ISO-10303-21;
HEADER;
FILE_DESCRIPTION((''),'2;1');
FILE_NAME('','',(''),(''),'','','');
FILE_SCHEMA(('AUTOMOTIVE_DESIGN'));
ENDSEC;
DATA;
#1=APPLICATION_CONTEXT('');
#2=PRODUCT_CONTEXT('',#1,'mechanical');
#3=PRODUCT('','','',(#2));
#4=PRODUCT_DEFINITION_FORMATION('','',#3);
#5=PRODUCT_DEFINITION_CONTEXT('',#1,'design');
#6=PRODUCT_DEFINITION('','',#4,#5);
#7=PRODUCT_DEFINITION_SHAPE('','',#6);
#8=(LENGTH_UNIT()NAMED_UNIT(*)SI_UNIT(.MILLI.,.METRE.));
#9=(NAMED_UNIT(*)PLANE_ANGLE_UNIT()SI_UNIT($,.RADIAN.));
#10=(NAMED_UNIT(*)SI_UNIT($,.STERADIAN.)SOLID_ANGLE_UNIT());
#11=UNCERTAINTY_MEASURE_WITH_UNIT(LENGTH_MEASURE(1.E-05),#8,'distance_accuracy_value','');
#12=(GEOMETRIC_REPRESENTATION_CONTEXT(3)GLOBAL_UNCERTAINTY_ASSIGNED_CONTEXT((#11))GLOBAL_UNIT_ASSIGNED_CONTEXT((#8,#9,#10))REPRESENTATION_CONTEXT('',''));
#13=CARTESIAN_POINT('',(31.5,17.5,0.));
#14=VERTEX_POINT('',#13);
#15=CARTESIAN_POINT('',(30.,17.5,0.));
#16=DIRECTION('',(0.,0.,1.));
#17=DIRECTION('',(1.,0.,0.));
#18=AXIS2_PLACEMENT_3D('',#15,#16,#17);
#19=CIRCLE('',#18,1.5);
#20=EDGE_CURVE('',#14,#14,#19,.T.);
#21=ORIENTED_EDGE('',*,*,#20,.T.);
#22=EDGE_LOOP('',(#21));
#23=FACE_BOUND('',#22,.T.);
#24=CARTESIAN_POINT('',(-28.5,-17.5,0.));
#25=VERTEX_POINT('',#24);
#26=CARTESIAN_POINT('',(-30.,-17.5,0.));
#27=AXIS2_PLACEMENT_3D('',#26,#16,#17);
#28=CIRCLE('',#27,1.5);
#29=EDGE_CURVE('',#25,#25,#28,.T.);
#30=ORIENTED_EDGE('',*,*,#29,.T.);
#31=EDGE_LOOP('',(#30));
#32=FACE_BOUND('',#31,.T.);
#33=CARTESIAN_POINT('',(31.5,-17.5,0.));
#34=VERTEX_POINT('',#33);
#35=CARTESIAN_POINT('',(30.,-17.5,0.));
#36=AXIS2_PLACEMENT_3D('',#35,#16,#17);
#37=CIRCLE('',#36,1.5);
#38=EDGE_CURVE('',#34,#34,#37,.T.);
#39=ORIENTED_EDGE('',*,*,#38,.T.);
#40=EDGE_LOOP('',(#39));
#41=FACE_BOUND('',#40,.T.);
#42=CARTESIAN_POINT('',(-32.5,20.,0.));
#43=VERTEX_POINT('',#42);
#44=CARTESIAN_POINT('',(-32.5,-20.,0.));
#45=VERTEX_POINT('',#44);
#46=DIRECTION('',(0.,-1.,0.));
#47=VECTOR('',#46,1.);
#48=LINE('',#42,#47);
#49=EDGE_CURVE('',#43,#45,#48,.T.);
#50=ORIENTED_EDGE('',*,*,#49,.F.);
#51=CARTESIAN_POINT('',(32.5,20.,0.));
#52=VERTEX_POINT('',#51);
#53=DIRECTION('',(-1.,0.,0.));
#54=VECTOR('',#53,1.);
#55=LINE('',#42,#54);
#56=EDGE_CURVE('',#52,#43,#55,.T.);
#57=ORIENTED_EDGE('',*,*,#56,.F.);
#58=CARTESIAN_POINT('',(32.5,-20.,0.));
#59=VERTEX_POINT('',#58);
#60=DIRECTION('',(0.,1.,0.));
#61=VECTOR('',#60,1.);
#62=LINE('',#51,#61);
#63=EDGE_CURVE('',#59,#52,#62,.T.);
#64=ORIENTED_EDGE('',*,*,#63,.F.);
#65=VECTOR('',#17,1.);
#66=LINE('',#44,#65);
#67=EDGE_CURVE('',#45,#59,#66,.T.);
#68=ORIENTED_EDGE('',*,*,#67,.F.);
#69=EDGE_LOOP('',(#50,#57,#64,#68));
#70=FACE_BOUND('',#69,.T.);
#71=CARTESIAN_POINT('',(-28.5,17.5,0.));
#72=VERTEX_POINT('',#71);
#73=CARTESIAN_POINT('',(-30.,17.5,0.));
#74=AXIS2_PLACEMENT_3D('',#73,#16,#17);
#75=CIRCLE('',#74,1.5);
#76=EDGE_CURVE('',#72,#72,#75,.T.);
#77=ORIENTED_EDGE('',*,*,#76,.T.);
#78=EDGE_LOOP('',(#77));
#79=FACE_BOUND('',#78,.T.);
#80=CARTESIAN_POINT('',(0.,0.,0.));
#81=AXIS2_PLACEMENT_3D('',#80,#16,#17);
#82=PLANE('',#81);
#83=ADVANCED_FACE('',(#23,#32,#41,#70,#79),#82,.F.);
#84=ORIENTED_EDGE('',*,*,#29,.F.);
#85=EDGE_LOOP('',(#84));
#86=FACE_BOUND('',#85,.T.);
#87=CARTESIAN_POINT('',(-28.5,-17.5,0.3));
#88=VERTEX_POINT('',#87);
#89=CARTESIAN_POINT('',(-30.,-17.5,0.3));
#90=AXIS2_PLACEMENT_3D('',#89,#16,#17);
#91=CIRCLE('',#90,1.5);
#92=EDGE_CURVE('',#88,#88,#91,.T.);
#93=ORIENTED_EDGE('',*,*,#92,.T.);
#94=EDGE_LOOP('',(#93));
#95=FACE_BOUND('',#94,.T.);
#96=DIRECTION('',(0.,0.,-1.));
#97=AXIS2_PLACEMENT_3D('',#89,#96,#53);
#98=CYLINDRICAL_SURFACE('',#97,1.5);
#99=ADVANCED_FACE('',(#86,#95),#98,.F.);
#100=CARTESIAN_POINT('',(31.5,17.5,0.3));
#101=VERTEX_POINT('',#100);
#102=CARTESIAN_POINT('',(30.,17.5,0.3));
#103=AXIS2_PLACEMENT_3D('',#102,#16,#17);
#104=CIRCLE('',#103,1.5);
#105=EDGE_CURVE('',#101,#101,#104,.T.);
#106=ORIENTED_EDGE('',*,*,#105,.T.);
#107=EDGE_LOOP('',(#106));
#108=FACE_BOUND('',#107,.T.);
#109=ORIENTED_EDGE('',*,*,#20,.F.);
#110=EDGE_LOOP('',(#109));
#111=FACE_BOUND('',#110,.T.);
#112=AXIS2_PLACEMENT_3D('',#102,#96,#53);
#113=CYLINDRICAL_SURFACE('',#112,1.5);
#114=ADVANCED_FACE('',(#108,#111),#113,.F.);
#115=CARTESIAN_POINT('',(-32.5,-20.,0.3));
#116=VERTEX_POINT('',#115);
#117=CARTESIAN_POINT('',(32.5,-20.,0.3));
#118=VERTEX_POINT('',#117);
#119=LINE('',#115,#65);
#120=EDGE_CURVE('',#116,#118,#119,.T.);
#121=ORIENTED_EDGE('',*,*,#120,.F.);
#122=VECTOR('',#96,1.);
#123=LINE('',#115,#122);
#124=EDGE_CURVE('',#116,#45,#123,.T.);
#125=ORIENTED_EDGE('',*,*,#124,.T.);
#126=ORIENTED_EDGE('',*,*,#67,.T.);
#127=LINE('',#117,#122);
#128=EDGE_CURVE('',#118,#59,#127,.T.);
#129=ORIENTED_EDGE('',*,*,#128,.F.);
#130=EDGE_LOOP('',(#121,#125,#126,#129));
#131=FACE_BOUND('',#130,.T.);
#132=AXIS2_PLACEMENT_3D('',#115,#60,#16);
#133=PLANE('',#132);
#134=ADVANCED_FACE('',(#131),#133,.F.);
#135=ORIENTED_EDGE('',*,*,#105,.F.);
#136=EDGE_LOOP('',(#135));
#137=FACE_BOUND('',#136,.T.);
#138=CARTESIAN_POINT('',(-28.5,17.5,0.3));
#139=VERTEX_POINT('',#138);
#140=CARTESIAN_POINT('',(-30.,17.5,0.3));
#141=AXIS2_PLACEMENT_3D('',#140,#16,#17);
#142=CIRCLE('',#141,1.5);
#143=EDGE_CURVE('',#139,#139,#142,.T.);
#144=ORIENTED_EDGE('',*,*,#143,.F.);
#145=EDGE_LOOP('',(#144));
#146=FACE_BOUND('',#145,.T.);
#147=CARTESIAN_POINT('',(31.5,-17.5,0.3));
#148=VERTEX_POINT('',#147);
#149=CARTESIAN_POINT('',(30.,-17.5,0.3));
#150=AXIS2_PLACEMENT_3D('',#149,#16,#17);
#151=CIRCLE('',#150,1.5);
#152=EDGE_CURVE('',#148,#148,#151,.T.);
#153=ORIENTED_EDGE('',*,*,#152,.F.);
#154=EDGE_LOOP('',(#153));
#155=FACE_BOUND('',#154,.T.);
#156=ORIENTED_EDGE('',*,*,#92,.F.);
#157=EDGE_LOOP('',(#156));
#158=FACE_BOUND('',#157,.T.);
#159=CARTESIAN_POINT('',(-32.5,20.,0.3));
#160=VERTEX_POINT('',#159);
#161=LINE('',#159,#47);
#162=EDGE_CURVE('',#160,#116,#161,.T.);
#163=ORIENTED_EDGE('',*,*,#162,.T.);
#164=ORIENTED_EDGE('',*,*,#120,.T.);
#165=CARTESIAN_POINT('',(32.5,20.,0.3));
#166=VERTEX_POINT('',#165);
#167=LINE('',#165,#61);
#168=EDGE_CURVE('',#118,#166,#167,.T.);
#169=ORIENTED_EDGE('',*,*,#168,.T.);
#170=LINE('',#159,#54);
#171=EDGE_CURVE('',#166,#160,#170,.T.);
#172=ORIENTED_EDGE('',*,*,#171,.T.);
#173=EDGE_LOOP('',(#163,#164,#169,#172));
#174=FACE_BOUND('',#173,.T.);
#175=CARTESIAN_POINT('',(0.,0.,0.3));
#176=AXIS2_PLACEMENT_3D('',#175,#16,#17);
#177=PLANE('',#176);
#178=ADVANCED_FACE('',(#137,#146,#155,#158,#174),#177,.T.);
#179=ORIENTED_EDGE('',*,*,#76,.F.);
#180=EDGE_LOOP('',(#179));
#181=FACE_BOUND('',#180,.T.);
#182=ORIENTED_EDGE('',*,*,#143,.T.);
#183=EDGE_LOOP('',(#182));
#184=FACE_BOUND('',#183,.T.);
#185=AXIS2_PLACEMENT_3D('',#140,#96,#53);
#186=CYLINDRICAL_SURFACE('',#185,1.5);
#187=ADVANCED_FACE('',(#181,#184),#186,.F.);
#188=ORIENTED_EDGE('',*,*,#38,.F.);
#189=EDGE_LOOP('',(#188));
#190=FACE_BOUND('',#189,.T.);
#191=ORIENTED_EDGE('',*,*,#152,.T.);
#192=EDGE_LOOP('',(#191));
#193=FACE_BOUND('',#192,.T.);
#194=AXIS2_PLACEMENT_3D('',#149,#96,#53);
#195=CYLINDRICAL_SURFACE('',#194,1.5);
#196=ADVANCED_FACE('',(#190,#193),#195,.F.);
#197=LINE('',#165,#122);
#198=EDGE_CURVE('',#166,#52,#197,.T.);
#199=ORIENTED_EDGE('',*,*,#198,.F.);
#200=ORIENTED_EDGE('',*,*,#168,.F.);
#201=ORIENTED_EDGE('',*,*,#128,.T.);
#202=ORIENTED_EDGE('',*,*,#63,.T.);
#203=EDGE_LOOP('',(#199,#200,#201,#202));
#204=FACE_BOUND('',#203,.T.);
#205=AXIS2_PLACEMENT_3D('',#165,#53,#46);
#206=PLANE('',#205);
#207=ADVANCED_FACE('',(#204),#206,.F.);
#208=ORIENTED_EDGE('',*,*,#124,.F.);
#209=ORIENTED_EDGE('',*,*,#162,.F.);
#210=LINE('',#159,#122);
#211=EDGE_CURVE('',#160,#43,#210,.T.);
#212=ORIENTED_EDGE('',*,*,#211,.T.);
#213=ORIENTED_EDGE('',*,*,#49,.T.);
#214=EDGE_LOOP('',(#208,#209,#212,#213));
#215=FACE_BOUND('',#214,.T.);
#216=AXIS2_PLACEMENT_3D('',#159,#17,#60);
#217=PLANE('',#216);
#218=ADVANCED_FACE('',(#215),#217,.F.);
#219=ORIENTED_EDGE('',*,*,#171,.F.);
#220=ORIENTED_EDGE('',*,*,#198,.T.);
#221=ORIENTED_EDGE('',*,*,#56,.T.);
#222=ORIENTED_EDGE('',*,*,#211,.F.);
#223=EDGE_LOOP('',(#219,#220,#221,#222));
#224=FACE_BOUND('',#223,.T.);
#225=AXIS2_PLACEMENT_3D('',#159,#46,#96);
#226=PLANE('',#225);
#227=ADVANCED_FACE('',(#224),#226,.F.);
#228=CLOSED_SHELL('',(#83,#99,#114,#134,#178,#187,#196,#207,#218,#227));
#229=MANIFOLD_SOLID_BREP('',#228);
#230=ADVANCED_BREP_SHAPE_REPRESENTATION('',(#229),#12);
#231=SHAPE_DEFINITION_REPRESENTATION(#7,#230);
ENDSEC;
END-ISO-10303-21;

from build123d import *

# Parameters (mm, degrees)
SKETCH1_W           = 65
SKETCH1_H           = 40
SKETCH1_R           = 1.5
BOSS_EXTRUDE1_DEPTH = 0.3


with BuildPart() as part:
    # Sketch1 → Boss-Extrude1 (new body)
    with BuildSketch(Plane.XY):
        Rectangle(SKETCH1_W, SKETCH1_H)
        with Locations((-30, 17.5)):
            Circle(SKETCH1_R, mode=Mode.SUBTRACT)
        with Locations((-30, -17.5)):
            Circle(SKETCH1_R, mode=Mode.SUBTRACT)
        with Locations((30, -17.5)):
            Circle(SKETCH1_R, mode=Mode.SUBTRACT)
        with Locations((30, 17.5)):
            Circle(SKETCH1_R, mode=Mode.SUBTRACT)
    extrude(amount=BOSS_EXTRUDE1_DEPTH)


solid = part.part
